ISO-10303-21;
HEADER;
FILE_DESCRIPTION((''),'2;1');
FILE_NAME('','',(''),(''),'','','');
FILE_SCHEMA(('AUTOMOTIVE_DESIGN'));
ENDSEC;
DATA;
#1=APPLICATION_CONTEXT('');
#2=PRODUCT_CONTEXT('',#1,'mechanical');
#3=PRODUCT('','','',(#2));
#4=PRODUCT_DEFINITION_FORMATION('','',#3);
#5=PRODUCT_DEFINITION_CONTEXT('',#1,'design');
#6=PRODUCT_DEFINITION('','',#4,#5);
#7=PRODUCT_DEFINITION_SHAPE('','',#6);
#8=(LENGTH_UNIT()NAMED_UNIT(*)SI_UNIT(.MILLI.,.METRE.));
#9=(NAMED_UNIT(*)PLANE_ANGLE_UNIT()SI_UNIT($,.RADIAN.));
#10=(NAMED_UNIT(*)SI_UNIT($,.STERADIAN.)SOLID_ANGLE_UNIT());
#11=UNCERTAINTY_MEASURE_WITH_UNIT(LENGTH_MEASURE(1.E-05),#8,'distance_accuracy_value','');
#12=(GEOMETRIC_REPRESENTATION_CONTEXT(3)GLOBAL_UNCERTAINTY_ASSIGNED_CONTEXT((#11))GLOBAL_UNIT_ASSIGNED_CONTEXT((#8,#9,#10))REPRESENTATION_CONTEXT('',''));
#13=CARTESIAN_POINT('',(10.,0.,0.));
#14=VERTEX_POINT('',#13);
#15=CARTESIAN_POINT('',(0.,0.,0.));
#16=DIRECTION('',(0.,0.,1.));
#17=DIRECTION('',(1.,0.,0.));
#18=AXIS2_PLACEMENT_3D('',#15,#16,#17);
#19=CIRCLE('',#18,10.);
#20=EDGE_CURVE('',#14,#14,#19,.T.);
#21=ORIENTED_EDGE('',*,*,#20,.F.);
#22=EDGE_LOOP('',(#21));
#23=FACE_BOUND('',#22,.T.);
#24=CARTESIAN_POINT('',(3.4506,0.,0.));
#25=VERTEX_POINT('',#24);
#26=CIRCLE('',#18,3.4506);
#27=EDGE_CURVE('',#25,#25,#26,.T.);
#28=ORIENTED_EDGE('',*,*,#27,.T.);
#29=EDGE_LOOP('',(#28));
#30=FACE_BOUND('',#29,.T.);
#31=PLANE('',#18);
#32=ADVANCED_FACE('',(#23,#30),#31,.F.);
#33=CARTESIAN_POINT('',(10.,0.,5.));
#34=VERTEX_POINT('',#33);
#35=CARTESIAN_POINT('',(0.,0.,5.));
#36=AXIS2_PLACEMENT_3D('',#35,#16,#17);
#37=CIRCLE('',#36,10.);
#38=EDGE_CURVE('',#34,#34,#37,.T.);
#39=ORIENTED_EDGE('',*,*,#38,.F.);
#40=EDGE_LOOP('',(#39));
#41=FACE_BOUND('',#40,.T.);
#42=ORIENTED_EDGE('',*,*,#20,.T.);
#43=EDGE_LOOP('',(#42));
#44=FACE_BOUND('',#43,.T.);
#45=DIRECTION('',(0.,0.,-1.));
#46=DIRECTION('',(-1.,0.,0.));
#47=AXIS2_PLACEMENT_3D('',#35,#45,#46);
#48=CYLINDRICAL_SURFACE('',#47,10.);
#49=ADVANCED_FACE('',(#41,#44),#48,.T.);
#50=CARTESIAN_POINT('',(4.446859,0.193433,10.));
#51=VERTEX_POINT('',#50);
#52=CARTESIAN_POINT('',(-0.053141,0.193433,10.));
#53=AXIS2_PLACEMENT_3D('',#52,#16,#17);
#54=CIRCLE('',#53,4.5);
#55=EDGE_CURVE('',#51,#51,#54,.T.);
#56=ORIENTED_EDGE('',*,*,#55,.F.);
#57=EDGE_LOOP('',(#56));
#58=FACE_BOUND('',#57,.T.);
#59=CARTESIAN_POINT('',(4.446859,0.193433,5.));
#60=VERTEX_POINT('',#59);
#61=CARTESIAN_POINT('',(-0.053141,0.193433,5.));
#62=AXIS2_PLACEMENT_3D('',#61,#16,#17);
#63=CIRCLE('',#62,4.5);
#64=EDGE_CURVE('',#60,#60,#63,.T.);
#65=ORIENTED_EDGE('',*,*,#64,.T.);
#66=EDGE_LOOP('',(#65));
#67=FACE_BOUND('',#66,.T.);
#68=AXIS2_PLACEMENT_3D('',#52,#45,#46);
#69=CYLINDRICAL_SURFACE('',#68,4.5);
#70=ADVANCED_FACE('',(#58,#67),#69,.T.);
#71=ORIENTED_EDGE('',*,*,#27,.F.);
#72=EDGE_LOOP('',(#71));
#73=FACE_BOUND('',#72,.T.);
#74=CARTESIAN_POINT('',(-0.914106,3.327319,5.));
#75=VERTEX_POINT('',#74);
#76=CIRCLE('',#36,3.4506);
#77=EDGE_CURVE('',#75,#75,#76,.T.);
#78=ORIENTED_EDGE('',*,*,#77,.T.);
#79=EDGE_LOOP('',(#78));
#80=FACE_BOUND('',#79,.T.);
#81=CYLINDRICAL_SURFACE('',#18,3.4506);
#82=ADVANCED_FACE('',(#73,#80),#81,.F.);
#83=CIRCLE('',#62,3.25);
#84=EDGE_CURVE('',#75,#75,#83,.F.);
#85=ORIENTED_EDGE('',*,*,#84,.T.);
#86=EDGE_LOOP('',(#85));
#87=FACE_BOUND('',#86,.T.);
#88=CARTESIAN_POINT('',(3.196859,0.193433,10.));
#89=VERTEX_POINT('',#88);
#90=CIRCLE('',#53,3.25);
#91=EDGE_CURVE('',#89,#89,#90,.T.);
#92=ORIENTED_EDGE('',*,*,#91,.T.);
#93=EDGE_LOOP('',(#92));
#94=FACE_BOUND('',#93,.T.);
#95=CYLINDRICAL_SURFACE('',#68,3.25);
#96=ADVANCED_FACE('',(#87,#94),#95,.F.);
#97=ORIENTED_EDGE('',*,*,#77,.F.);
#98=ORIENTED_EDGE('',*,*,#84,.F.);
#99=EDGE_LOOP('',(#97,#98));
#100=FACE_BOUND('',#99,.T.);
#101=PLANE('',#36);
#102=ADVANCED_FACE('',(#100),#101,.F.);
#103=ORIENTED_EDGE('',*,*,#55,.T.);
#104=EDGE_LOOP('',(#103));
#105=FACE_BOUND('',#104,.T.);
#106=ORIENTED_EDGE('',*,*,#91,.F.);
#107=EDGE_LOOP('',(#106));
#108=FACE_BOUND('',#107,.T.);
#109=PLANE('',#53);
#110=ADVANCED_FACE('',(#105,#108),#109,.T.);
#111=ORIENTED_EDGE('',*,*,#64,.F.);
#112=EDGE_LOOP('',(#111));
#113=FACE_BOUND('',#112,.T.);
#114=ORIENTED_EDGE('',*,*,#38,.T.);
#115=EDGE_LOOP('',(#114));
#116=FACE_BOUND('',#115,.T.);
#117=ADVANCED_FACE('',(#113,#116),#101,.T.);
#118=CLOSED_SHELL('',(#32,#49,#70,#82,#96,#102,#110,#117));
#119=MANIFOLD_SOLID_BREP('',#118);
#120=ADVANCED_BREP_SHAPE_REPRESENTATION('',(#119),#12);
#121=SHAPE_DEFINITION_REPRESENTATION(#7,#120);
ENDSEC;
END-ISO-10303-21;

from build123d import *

# Parameters (mm, degrees)
SKETCH1_R           = 10
BOSS_EXTRUDE2_DEPTH = 5
SKETCH2_R           = 4.5
SKETCH2_R_2         = 3.25
BOSS_EXTRUDE3_DEPTH = 5
SKETCH3_R           = 3.450600028
CUT_EXTRUDE1_DEPTH  = 5


with BuildPart() as part:
    # Sketch1 → Boss-Extrude2 (new body)
    with BuildSketch(Plane.XY):
        Circle(SKETCH1_R)
    extrude(amount=BOSS_EXTRUDE2_DEPTH)

    # Sketch2 → Boss-Extrude3 (add)
    with BuildSketch(Plane.XY.offset(5)):
        with Locations((-0.053141413, 0.193433093)):
            Circle(SKETCH2_R)
        with Locations((-0.053141413, 0.193433093)):
            Circle(SKETCH2_R_2, mode=Mode.SUBTRACT)
    extrude(amount=BOSS_EXTRUDE3_DEPTH)

    # Sketch3 → Cut-Extrude1 (cut)
    with BuildSketch(Plane.XY.offset(5)):
        Circle(SKETCH3_R)
    extrude(amount=-CUT_EXTRUDE1_DEPTH, mode=Mode.SUBTRACT)


solid = part.part
